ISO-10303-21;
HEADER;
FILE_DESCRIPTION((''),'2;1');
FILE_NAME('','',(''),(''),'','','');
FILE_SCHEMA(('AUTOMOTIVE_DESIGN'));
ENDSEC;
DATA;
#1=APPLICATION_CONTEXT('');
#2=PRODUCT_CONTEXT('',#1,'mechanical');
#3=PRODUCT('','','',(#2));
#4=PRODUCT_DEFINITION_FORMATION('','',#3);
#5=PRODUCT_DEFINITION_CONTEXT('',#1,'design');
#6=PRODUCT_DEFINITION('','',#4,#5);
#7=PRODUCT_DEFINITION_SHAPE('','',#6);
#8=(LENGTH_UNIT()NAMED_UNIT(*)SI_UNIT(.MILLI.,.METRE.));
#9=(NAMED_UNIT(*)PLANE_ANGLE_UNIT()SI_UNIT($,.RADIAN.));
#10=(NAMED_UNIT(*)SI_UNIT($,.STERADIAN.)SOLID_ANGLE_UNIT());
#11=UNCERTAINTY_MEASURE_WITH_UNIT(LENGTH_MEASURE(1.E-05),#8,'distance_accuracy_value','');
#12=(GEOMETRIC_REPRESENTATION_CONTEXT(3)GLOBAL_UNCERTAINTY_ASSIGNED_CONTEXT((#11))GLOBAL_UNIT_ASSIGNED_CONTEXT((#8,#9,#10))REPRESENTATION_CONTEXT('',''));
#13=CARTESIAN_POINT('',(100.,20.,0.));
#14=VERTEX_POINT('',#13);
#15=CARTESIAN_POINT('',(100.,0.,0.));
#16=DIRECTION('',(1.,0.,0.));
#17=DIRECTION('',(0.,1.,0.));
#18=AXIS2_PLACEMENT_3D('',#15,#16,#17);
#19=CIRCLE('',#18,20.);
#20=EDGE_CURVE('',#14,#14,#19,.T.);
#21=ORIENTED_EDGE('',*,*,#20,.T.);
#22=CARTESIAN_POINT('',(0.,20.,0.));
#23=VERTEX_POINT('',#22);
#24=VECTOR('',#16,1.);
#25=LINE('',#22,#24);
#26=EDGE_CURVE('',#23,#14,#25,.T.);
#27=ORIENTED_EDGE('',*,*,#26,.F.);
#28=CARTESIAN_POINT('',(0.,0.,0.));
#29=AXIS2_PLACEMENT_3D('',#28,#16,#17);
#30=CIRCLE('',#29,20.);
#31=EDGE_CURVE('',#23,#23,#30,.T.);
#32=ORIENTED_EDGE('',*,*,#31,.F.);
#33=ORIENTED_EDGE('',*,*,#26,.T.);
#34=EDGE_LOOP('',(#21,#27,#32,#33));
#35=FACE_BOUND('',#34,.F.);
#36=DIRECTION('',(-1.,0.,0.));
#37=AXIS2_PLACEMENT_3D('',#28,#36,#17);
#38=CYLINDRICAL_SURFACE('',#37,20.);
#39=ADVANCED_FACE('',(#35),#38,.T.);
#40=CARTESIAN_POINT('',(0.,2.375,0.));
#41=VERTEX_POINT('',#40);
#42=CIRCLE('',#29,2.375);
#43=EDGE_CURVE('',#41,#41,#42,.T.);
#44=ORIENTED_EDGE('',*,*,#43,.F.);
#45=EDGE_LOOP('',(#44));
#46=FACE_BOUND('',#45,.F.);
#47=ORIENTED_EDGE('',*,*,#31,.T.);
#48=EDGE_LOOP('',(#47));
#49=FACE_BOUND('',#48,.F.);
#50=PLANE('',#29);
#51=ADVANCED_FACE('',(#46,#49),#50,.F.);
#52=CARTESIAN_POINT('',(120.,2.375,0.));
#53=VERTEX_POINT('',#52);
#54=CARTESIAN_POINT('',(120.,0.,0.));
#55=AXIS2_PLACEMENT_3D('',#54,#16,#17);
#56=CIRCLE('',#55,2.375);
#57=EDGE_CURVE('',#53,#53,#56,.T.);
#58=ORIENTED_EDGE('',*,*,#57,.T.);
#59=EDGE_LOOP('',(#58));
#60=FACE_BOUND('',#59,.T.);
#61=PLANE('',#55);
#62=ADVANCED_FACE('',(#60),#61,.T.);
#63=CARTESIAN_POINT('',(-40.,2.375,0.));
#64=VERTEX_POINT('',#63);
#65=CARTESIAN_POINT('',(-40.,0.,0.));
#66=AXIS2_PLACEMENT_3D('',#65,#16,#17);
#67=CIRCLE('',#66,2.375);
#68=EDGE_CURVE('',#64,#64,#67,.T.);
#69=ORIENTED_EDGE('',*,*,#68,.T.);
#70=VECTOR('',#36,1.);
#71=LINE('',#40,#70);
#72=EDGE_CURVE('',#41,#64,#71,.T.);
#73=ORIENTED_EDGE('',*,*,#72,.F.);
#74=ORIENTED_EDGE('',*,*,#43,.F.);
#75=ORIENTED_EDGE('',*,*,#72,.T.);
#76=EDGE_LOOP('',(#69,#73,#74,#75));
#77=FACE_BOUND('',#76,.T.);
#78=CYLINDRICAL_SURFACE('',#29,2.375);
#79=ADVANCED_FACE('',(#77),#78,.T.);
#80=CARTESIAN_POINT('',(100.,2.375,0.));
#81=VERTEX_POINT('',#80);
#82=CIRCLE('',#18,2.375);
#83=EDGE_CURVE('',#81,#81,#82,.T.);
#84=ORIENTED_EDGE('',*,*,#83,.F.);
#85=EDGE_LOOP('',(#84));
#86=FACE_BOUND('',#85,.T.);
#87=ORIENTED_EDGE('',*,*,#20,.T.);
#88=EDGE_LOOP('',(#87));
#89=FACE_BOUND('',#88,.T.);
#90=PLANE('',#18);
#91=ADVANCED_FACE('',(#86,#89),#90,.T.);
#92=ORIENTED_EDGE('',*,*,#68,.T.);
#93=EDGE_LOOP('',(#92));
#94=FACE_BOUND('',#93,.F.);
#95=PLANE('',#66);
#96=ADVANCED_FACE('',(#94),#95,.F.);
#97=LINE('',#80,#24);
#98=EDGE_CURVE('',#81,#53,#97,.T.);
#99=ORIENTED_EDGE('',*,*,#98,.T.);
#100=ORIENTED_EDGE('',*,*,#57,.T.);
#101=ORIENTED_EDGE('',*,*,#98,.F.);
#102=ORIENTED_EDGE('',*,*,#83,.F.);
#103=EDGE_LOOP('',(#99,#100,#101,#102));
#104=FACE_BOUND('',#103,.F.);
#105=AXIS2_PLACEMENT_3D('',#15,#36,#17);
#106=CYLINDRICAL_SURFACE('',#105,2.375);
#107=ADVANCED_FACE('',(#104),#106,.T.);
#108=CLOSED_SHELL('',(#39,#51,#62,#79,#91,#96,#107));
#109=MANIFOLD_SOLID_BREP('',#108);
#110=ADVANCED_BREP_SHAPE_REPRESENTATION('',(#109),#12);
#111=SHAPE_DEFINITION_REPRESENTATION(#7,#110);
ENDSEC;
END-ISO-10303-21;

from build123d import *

# Parameters (mm, degrees)
F0_R     = 20
F1_DEPTH = 100
F2_R     = 2.375
F3_DEPTH = 20
F4_R     = 2.375
F5_DEPTH = 40


with BuildPart() as f1:
    # F0 (on Right) → F1 (new body)
    with BuildSketch(Plane.YZ):
        Circle(F0_R)
    extrude(amount=F1_DEPTH)

    # F2 (on face) → F3 (join)
    with BuildSketch(Plane.YZ.offset(100)):
        Circle(F2_R)
    extrude(amount=F3_DEPTH)

    # F4 (on face) → F5 (join)
    with BuildSketch(Plane.YZ):
        Circle(F4_R)
    extrude(amount=-F5_DEPTH)


solid = f1.part
